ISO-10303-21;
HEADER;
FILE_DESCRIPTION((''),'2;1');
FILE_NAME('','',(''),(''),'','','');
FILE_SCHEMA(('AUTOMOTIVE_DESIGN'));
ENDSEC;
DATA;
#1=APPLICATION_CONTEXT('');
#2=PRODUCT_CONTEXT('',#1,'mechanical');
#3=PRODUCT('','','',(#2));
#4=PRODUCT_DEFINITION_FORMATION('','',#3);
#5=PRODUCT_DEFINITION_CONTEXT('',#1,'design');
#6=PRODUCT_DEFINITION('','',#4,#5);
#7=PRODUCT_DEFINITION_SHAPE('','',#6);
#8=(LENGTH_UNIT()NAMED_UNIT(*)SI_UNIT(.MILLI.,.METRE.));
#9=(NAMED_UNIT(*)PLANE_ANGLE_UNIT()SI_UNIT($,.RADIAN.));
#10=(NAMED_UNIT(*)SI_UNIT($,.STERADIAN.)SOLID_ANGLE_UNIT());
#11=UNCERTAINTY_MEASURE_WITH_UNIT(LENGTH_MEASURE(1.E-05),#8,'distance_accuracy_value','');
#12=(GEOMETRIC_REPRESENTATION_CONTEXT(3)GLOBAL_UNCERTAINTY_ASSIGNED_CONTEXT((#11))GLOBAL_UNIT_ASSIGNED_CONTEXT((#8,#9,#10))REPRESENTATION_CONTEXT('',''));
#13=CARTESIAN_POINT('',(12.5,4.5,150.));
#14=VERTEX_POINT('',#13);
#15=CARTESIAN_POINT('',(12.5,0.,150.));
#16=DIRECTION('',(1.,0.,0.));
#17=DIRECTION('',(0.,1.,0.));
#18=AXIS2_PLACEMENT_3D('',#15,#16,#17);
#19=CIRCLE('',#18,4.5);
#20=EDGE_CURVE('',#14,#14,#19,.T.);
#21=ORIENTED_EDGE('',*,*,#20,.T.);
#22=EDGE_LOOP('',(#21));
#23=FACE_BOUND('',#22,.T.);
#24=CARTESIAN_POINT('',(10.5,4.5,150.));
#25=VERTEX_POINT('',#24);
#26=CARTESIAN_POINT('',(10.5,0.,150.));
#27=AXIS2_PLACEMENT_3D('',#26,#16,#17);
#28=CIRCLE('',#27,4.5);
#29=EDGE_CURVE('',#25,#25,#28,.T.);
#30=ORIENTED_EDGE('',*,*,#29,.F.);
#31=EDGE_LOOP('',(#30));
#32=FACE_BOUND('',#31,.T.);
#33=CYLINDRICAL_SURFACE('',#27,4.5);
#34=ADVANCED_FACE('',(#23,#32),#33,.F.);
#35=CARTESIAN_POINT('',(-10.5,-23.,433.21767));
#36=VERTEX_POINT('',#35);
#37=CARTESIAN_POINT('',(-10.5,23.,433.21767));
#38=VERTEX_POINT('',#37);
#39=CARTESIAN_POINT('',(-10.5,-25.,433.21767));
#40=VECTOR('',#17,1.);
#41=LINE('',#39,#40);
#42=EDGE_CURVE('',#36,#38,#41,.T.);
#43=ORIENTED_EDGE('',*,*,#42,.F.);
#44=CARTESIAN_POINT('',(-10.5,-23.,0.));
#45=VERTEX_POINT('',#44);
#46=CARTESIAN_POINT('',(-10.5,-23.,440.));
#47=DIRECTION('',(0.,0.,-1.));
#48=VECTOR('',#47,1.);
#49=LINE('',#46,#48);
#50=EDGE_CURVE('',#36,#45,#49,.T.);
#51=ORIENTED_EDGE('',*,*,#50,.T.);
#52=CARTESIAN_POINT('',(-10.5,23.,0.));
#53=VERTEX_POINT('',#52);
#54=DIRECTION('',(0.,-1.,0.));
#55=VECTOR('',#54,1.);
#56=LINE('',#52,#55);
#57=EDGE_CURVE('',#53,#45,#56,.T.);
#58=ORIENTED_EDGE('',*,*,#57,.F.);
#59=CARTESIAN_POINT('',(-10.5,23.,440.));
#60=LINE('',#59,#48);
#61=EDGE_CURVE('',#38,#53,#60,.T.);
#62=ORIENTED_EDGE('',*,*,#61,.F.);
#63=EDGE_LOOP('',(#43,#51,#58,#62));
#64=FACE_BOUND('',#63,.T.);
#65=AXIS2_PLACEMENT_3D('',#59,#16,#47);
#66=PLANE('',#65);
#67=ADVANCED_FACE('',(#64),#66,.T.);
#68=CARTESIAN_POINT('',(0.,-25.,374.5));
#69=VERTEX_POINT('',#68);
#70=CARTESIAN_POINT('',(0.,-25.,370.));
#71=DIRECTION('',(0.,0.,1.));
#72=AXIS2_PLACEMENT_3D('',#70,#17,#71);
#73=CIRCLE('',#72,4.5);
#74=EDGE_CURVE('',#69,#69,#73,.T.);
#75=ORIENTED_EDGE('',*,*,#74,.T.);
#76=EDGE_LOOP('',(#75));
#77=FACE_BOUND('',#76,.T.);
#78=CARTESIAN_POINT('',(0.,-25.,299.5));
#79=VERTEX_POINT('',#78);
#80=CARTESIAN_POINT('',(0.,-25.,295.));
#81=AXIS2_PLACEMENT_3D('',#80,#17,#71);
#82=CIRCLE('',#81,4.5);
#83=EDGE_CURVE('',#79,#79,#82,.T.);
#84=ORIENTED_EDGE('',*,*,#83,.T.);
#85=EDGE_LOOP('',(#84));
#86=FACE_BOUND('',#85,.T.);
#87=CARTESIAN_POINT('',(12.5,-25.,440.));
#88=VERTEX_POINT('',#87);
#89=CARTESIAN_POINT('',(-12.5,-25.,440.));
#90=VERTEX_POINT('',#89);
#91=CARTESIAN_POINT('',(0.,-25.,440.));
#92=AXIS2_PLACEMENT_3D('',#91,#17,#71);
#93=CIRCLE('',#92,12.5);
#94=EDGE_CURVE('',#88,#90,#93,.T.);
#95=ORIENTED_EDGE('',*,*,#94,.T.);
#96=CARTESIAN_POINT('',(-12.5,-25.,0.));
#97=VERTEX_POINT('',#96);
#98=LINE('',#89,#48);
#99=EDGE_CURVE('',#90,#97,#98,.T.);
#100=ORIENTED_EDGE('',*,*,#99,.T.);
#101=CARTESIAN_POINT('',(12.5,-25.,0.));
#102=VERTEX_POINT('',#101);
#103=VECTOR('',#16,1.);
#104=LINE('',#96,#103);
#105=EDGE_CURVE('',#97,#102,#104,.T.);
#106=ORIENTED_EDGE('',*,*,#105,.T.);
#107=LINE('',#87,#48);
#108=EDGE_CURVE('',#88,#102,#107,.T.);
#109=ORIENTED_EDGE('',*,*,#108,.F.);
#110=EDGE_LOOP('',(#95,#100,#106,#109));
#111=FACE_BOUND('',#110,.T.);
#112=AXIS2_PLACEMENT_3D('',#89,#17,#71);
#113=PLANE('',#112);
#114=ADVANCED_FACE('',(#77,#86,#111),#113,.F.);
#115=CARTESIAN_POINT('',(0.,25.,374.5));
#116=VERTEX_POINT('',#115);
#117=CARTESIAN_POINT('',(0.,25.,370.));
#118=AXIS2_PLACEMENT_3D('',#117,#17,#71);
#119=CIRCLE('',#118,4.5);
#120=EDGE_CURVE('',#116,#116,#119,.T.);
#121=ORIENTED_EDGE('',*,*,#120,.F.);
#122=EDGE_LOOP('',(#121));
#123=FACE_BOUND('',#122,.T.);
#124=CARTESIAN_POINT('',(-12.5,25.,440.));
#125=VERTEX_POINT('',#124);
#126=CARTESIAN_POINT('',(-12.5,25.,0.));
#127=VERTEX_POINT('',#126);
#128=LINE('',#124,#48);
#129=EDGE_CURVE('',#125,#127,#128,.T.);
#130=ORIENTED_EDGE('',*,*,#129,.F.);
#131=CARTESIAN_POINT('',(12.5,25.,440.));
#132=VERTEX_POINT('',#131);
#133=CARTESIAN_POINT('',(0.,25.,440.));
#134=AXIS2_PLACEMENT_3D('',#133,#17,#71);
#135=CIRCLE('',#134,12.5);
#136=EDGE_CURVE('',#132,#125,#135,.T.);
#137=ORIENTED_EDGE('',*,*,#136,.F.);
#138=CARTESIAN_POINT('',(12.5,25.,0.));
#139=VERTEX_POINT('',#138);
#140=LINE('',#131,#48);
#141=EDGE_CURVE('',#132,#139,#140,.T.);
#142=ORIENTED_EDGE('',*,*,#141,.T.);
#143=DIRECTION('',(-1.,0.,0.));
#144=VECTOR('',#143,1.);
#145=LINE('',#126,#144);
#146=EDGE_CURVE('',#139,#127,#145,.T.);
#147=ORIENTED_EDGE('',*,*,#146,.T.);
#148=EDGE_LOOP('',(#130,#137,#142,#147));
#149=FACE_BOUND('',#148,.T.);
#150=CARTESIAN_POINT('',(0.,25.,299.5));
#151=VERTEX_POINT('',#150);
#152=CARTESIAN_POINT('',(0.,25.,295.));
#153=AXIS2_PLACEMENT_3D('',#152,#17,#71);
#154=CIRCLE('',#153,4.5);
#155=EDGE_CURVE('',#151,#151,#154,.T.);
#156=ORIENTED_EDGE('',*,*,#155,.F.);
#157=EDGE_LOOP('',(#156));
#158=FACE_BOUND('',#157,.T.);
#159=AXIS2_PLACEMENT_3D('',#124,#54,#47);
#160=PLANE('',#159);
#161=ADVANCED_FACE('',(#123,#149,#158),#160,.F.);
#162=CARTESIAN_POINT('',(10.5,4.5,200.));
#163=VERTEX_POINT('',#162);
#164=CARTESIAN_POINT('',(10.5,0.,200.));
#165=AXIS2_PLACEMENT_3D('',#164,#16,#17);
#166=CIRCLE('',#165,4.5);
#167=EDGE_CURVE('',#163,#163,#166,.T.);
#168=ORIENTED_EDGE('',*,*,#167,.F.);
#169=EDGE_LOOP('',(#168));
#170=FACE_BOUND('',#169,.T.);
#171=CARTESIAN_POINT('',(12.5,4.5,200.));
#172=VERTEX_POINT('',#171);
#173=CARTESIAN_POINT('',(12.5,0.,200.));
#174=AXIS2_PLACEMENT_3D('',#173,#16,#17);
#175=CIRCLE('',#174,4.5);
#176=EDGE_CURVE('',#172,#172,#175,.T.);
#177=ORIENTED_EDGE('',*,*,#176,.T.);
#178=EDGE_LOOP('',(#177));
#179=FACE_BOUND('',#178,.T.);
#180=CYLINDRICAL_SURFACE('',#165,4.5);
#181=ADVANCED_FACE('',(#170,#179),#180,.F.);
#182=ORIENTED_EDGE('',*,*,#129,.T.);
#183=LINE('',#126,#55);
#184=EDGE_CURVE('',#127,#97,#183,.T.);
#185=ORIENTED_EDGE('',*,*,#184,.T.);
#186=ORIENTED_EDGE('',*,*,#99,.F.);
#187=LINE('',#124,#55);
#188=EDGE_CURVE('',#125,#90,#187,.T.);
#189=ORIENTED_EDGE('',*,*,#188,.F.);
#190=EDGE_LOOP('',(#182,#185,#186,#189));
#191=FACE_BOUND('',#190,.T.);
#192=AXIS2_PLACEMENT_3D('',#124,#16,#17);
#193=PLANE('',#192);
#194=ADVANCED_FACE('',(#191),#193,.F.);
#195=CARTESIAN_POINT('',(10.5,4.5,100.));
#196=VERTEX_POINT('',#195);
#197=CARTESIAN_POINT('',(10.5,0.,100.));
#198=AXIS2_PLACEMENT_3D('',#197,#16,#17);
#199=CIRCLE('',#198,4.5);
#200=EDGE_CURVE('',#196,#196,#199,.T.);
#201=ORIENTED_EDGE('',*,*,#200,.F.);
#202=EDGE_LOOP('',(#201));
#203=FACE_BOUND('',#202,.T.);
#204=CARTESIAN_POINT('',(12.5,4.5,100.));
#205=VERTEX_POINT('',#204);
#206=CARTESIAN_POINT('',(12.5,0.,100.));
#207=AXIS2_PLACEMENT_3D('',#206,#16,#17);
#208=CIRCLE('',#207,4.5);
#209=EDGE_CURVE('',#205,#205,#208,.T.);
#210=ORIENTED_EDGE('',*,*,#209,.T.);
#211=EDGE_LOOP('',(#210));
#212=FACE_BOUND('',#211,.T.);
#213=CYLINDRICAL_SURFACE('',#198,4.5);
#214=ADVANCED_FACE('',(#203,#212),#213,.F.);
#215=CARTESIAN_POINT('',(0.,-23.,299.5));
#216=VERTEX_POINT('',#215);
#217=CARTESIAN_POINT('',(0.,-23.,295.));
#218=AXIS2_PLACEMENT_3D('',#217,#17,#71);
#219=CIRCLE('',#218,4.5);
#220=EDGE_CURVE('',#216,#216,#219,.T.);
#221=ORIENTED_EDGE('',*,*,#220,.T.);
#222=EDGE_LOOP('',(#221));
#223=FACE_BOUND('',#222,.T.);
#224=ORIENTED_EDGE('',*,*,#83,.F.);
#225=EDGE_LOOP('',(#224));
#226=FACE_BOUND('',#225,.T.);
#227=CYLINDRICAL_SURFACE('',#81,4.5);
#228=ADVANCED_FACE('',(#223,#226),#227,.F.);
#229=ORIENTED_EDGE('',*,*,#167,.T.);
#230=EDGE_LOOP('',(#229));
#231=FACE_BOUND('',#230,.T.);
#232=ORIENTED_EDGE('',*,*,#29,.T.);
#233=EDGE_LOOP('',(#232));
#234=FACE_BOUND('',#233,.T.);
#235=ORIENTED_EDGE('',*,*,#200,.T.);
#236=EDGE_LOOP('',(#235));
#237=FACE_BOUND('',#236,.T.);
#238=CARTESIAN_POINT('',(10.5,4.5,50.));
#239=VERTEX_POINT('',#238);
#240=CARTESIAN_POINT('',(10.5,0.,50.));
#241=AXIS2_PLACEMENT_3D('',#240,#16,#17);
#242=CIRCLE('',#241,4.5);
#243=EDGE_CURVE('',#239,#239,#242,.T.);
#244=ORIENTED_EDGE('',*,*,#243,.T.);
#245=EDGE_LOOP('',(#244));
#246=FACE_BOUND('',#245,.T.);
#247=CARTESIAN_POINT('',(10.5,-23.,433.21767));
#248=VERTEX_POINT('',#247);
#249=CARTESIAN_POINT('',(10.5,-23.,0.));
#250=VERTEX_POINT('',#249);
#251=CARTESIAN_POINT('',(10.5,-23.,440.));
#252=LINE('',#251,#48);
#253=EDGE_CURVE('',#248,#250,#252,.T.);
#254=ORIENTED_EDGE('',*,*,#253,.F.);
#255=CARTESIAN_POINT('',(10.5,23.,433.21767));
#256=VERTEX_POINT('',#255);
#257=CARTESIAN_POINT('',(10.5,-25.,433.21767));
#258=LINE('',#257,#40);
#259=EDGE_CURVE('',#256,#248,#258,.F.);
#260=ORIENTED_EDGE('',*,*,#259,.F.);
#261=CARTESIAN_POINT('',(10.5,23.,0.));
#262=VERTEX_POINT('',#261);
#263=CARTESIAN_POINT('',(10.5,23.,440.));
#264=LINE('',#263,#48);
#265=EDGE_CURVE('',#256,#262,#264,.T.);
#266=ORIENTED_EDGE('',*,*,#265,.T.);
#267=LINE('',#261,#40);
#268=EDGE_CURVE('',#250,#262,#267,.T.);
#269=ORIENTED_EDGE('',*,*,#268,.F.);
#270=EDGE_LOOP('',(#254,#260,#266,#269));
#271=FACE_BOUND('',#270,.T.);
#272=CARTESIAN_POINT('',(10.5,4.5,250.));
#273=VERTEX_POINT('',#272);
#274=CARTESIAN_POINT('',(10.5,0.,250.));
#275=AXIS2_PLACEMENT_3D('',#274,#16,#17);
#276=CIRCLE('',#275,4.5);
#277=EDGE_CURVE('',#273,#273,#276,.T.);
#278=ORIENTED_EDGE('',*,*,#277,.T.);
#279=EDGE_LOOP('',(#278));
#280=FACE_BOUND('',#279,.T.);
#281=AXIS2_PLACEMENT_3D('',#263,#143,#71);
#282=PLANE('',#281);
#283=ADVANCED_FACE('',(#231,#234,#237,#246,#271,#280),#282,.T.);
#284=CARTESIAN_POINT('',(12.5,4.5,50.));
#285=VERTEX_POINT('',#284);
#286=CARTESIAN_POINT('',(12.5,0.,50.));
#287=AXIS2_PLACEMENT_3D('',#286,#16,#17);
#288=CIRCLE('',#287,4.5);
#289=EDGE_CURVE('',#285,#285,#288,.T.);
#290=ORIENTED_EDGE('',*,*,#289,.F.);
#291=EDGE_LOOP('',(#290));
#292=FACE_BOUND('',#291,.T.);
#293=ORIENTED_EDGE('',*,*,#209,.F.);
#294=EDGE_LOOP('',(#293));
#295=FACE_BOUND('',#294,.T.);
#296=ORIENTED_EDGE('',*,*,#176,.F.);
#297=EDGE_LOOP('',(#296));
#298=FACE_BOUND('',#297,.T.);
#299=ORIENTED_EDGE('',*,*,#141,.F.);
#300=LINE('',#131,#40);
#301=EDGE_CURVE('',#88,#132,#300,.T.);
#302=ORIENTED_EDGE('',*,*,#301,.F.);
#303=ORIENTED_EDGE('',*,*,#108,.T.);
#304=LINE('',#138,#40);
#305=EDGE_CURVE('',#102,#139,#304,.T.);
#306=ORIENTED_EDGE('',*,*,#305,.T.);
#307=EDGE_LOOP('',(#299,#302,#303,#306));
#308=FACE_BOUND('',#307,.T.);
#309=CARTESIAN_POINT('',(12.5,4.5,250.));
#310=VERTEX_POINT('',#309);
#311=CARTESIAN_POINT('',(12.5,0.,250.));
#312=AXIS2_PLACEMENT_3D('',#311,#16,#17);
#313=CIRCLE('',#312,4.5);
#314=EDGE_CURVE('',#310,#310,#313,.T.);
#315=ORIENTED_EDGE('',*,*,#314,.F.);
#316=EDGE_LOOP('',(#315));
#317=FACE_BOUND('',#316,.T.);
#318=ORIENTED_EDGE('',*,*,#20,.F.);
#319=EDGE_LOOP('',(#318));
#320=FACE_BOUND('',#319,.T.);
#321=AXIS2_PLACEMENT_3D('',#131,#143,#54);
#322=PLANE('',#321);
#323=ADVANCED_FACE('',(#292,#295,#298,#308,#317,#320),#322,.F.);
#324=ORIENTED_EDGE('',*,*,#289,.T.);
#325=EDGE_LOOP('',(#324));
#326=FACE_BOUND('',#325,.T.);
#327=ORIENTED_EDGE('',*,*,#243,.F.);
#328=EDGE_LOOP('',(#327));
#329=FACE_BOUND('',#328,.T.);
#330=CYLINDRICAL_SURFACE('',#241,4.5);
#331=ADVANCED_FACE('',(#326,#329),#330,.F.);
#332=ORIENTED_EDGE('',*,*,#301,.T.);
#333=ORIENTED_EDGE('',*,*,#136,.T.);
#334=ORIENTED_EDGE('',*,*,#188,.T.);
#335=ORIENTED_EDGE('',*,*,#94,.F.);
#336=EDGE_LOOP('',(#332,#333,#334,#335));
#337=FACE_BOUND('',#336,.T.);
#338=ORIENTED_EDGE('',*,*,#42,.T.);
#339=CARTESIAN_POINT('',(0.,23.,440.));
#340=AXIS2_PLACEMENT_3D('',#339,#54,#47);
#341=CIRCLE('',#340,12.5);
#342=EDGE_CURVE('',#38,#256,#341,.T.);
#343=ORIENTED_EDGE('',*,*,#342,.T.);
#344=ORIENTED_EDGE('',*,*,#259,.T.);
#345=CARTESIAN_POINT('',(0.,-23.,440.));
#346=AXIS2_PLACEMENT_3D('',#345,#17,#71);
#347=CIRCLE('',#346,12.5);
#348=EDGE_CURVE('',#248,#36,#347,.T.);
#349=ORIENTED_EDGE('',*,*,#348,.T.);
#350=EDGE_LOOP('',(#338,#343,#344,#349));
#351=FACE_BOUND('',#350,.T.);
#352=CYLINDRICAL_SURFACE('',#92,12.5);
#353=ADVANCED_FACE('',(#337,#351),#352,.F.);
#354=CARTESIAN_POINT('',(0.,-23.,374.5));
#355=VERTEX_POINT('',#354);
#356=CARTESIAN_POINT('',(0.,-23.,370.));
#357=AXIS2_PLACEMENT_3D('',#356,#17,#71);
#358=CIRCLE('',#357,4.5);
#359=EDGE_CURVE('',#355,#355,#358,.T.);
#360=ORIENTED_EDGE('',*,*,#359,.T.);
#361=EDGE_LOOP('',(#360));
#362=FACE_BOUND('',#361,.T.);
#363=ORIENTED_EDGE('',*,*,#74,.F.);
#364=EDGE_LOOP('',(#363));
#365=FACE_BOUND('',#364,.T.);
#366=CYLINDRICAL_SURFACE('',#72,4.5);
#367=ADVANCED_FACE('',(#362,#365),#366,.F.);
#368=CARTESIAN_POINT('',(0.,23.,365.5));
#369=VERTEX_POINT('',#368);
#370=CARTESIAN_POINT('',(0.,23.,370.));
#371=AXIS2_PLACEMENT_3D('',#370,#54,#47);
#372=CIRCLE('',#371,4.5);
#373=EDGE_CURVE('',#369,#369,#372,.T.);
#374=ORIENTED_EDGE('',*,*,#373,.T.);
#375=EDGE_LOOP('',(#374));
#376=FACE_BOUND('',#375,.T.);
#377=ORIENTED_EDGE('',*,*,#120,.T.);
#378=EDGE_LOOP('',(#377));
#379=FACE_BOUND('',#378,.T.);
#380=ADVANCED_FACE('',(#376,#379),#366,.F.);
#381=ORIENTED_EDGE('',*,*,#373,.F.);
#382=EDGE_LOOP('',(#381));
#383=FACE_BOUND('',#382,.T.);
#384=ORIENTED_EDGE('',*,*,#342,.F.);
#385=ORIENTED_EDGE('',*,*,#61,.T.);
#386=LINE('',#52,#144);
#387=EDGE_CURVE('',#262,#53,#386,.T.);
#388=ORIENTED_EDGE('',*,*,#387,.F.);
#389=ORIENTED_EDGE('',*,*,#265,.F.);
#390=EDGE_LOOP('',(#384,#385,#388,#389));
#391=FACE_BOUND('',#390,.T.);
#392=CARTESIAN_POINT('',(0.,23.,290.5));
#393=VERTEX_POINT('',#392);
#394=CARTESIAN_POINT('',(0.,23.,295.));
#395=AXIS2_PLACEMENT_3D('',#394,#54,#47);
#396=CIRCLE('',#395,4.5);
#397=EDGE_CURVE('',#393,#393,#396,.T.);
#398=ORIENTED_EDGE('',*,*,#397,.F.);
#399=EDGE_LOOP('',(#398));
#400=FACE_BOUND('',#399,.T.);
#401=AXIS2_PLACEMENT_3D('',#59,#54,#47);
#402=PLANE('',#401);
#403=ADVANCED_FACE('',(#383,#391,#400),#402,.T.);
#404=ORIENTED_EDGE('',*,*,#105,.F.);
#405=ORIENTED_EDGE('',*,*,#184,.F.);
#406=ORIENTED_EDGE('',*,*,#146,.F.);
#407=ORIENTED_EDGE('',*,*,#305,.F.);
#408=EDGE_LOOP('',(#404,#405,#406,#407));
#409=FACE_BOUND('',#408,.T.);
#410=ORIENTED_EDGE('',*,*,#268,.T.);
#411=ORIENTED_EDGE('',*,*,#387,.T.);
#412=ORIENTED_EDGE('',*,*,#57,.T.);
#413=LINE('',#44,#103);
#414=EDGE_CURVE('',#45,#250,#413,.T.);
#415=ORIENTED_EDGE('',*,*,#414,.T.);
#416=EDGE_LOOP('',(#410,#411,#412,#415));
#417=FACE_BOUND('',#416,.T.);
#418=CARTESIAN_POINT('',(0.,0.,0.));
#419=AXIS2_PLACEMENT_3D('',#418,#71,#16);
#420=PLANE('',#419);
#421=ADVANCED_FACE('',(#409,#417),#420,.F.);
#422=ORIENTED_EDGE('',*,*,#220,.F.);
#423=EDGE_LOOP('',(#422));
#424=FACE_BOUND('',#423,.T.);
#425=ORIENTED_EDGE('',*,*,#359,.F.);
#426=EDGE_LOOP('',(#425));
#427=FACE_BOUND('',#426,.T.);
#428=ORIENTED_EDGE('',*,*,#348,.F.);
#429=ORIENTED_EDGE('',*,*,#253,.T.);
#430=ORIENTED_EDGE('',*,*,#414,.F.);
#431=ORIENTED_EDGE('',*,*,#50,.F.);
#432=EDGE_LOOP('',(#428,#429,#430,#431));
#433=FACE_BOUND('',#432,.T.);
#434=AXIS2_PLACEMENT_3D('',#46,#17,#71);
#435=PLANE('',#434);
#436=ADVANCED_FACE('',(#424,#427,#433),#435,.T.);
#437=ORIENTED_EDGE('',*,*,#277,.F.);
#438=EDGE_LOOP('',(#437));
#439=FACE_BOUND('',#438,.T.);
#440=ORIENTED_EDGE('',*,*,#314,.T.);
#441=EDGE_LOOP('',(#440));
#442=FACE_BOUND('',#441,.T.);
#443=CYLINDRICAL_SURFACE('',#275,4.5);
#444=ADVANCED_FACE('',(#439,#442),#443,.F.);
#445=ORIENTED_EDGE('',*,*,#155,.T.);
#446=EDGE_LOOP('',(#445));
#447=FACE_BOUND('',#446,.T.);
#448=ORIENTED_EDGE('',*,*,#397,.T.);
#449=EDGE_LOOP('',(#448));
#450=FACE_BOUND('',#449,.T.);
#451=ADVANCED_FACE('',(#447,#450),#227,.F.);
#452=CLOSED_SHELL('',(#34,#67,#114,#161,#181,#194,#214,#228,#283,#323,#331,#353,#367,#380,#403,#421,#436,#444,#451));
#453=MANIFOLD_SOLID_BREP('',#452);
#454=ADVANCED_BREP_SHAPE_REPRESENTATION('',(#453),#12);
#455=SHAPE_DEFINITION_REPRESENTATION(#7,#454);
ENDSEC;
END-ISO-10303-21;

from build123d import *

# Parameters (mm, degrees)
SKETCH_1_W          = 25
SKETCH_1_H          = 50
SKETCH_1_W_2        = 21
SKETCH_1_H_2        = 46
EXTRUDE_1_DEPTH     = 440
SKETCH_2_R          = 12.5
SKETCH_2_R_2        = 4.5
CUT_EXTRUDE_1_DEPTH = 50
SKETCH_3_R          = 4.5
CUT_EXTRUDE_2_DEPTH = 2


with BuildPart() as part:
    # Эскиз1 → Бобышка-Вытянуть1 (new body)
    with BuildSketch(Plane.XY):
        Rectangle(SKETCH_1_W, SKETCH_1_H)
        Rectangle(SKETCH_1_W_2, SKETCH_1_H_2, mode=Mode.SUBTRACT)
    extrude(amount=EXTRUDE_1_DEPTH)

    # Эскиз2 → Вырез-Вытянуть1 (cut)
    with BuildSketch(Plane(origin=(0, 25, 0), x_dir=(1, 0, 0), z_dir=(0, 1, 0))):
        with Locations((0, -440)):
            Circle(SKETCH_2_R)
        with Locations(Location((0, -370, 0), (0, 0, 270))):  # turned: the seam where the file's is
            Circle(SKETCH_2_R_2)
        with Locations(Location((0, -295, 0), (0, 0, 270))):  # turned: the seam where the file's is
            Circle(SKETCH_2_R_2)
    extrude(amount=-CUT_EXTRUDE_1_DEPTH, mode=Mode.SUBTRACT)

    # Эскиз3 → Вырез-Вытянуть2 (cut)
    with BuildSketch(Plane(origin=(12.5, 0, 0), x_dir=(0, 0, -1), z_dir=(1, 0, 0))):
        with Locations(Location((-50, 0, 0), (0, 0, 90))):  # turned: the seam where the file's is
            Circle(SKETCH_3_R)
        with Locations(Location((-100, 0, 0), (0, 0, 90))):  # turned: the seam where the file's is
            Circle(SKETCH_3_R)
        with Locations(Location((-150, 0, 0), (0, 0, 90))):  # turned: the seam where the file's is
            Circle(SKETCH_3_R)
        with Locations(Location((-200, 0, 0), (0, 0, 90))):  # turned: the seam where the file's is
            Circle(SKETCH_3_R)
        with Locations(Location((-250, 0, 0), (0, 0, 90))):  # turned: the seam where the file's is
            Circle(SKETCH_3_R)
    extrude(amount=-CUT_EXTRUDE_2_DEPTH, mode=Mode.SUBTRACT)


solid = part.part
